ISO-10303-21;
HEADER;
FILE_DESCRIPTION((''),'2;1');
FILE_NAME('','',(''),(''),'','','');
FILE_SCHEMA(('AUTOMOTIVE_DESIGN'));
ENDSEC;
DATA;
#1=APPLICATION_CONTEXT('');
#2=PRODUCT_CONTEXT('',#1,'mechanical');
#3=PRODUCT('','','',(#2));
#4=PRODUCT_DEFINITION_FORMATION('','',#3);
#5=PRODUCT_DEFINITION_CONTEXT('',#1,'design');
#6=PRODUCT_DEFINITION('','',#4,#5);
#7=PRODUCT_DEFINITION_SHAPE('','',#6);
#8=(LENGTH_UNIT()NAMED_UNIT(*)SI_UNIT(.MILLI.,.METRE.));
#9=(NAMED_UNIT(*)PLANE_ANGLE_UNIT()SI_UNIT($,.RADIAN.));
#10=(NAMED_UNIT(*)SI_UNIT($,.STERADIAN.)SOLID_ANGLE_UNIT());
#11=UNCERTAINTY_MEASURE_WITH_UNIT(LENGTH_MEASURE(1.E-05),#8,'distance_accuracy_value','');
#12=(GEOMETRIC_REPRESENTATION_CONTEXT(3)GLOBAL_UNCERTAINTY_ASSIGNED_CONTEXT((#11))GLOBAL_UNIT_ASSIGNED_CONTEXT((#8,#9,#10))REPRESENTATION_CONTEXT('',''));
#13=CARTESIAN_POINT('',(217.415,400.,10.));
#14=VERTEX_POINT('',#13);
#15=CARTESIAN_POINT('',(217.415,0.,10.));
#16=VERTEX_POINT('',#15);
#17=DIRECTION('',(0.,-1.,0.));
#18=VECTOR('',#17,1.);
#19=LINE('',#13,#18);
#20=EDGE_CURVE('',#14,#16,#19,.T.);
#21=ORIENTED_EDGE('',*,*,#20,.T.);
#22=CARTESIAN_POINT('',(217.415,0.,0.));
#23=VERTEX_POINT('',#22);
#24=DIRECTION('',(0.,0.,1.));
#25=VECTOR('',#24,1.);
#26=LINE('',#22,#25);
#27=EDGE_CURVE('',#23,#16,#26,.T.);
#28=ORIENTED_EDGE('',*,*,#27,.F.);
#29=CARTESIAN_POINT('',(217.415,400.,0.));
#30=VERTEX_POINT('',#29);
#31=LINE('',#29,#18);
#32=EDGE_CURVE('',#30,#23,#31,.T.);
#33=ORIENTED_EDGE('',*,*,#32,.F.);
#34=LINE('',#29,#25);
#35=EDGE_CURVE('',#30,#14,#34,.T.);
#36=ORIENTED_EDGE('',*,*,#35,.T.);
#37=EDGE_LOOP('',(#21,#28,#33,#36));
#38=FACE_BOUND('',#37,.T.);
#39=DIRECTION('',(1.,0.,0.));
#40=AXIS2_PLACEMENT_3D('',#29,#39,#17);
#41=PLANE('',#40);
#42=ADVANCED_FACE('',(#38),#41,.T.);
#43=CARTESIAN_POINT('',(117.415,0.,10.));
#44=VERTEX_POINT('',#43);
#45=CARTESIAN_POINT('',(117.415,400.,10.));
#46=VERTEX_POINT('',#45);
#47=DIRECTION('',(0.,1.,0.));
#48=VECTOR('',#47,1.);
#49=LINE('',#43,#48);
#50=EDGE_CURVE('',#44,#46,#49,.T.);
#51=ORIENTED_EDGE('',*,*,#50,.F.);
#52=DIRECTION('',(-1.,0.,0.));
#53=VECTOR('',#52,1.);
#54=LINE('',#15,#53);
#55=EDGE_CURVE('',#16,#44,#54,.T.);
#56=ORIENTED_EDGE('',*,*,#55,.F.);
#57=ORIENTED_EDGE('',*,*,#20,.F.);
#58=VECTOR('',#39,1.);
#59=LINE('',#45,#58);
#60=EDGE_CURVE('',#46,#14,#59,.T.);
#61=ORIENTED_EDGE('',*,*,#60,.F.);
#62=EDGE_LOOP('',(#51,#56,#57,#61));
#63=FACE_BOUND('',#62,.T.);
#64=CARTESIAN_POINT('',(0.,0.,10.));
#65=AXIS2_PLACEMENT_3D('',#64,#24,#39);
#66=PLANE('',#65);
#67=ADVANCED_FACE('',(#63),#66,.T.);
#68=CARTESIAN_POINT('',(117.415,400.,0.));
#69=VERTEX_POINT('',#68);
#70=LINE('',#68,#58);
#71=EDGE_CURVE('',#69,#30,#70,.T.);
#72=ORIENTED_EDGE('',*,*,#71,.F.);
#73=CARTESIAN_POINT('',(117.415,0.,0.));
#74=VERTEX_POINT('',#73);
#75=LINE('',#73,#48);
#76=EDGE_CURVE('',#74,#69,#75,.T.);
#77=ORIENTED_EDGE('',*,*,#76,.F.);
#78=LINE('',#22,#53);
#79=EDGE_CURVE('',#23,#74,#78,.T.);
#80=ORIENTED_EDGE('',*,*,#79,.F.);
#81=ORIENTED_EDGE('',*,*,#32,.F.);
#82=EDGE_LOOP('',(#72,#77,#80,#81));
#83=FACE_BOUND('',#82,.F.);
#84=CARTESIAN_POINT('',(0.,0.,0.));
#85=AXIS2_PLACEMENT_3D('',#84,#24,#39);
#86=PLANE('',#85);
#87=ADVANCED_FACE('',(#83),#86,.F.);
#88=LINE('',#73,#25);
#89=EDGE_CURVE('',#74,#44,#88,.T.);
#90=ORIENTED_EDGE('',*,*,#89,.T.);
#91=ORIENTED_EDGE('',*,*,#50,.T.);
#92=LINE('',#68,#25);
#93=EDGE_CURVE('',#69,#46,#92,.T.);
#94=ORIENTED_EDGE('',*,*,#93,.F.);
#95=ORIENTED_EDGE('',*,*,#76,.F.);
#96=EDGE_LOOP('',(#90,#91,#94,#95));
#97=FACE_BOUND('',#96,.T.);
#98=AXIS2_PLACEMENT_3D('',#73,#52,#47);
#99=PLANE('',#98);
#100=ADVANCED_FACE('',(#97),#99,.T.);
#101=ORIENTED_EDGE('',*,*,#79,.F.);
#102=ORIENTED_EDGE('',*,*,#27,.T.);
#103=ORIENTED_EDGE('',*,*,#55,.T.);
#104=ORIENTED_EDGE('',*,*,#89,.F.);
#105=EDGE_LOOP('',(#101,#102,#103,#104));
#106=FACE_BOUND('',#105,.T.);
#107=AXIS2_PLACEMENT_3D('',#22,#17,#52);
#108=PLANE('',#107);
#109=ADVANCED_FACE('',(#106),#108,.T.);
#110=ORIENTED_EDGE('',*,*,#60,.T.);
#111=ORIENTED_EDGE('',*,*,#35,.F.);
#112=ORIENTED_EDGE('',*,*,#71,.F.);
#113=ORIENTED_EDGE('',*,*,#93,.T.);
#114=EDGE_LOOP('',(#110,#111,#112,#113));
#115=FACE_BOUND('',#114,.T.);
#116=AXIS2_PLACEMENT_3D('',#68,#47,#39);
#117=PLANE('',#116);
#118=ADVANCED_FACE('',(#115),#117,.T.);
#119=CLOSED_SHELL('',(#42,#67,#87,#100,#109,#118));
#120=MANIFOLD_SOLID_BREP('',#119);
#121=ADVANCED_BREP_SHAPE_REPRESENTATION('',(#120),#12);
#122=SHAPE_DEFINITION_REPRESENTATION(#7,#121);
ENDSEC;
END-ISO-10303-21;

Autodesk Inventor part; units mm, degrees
ref_plane "YZ Plane" through (0, 0, 0) normal (1, 0, 0) x (0, 1, 0)
ref_plane "XZ Plane" through (0, 0, 0) normal (0, 1, 0) x (-1, 0, 0)
ref_plane "Work Plane1" through (0, 0, 0) normal (0, 0, 1) x (1, 0, 0)
sketch "Sketch1" plane through (0, 0, 0) normal (0, 0, 1) x (1, 0, 0)
  line L0 (0, 0) -> (0, 3) construction
  line L1 (0, 3) -> (217.415, 3) construction
  line L2 (217.415, 3) -> (217.415, 0) construction
  line L3 (217.415, 0) -> (0, 0) construction
  line L4 (217.415, 0) -> (117.415, 0)
  line L5 (117.415, 0) -> (117.415, 400)
  line L6 (117.415, 400) -> (217.415, 400)
  line L7 (217.415, 400) -> (217.415, 0)
  dimension "d0" = 100
  dimension "d1" = 400
extrude "Extrusion1" add sketch "Sketch1" along normal blind 10
properties part number "support1" material "Wood (Birch)"
